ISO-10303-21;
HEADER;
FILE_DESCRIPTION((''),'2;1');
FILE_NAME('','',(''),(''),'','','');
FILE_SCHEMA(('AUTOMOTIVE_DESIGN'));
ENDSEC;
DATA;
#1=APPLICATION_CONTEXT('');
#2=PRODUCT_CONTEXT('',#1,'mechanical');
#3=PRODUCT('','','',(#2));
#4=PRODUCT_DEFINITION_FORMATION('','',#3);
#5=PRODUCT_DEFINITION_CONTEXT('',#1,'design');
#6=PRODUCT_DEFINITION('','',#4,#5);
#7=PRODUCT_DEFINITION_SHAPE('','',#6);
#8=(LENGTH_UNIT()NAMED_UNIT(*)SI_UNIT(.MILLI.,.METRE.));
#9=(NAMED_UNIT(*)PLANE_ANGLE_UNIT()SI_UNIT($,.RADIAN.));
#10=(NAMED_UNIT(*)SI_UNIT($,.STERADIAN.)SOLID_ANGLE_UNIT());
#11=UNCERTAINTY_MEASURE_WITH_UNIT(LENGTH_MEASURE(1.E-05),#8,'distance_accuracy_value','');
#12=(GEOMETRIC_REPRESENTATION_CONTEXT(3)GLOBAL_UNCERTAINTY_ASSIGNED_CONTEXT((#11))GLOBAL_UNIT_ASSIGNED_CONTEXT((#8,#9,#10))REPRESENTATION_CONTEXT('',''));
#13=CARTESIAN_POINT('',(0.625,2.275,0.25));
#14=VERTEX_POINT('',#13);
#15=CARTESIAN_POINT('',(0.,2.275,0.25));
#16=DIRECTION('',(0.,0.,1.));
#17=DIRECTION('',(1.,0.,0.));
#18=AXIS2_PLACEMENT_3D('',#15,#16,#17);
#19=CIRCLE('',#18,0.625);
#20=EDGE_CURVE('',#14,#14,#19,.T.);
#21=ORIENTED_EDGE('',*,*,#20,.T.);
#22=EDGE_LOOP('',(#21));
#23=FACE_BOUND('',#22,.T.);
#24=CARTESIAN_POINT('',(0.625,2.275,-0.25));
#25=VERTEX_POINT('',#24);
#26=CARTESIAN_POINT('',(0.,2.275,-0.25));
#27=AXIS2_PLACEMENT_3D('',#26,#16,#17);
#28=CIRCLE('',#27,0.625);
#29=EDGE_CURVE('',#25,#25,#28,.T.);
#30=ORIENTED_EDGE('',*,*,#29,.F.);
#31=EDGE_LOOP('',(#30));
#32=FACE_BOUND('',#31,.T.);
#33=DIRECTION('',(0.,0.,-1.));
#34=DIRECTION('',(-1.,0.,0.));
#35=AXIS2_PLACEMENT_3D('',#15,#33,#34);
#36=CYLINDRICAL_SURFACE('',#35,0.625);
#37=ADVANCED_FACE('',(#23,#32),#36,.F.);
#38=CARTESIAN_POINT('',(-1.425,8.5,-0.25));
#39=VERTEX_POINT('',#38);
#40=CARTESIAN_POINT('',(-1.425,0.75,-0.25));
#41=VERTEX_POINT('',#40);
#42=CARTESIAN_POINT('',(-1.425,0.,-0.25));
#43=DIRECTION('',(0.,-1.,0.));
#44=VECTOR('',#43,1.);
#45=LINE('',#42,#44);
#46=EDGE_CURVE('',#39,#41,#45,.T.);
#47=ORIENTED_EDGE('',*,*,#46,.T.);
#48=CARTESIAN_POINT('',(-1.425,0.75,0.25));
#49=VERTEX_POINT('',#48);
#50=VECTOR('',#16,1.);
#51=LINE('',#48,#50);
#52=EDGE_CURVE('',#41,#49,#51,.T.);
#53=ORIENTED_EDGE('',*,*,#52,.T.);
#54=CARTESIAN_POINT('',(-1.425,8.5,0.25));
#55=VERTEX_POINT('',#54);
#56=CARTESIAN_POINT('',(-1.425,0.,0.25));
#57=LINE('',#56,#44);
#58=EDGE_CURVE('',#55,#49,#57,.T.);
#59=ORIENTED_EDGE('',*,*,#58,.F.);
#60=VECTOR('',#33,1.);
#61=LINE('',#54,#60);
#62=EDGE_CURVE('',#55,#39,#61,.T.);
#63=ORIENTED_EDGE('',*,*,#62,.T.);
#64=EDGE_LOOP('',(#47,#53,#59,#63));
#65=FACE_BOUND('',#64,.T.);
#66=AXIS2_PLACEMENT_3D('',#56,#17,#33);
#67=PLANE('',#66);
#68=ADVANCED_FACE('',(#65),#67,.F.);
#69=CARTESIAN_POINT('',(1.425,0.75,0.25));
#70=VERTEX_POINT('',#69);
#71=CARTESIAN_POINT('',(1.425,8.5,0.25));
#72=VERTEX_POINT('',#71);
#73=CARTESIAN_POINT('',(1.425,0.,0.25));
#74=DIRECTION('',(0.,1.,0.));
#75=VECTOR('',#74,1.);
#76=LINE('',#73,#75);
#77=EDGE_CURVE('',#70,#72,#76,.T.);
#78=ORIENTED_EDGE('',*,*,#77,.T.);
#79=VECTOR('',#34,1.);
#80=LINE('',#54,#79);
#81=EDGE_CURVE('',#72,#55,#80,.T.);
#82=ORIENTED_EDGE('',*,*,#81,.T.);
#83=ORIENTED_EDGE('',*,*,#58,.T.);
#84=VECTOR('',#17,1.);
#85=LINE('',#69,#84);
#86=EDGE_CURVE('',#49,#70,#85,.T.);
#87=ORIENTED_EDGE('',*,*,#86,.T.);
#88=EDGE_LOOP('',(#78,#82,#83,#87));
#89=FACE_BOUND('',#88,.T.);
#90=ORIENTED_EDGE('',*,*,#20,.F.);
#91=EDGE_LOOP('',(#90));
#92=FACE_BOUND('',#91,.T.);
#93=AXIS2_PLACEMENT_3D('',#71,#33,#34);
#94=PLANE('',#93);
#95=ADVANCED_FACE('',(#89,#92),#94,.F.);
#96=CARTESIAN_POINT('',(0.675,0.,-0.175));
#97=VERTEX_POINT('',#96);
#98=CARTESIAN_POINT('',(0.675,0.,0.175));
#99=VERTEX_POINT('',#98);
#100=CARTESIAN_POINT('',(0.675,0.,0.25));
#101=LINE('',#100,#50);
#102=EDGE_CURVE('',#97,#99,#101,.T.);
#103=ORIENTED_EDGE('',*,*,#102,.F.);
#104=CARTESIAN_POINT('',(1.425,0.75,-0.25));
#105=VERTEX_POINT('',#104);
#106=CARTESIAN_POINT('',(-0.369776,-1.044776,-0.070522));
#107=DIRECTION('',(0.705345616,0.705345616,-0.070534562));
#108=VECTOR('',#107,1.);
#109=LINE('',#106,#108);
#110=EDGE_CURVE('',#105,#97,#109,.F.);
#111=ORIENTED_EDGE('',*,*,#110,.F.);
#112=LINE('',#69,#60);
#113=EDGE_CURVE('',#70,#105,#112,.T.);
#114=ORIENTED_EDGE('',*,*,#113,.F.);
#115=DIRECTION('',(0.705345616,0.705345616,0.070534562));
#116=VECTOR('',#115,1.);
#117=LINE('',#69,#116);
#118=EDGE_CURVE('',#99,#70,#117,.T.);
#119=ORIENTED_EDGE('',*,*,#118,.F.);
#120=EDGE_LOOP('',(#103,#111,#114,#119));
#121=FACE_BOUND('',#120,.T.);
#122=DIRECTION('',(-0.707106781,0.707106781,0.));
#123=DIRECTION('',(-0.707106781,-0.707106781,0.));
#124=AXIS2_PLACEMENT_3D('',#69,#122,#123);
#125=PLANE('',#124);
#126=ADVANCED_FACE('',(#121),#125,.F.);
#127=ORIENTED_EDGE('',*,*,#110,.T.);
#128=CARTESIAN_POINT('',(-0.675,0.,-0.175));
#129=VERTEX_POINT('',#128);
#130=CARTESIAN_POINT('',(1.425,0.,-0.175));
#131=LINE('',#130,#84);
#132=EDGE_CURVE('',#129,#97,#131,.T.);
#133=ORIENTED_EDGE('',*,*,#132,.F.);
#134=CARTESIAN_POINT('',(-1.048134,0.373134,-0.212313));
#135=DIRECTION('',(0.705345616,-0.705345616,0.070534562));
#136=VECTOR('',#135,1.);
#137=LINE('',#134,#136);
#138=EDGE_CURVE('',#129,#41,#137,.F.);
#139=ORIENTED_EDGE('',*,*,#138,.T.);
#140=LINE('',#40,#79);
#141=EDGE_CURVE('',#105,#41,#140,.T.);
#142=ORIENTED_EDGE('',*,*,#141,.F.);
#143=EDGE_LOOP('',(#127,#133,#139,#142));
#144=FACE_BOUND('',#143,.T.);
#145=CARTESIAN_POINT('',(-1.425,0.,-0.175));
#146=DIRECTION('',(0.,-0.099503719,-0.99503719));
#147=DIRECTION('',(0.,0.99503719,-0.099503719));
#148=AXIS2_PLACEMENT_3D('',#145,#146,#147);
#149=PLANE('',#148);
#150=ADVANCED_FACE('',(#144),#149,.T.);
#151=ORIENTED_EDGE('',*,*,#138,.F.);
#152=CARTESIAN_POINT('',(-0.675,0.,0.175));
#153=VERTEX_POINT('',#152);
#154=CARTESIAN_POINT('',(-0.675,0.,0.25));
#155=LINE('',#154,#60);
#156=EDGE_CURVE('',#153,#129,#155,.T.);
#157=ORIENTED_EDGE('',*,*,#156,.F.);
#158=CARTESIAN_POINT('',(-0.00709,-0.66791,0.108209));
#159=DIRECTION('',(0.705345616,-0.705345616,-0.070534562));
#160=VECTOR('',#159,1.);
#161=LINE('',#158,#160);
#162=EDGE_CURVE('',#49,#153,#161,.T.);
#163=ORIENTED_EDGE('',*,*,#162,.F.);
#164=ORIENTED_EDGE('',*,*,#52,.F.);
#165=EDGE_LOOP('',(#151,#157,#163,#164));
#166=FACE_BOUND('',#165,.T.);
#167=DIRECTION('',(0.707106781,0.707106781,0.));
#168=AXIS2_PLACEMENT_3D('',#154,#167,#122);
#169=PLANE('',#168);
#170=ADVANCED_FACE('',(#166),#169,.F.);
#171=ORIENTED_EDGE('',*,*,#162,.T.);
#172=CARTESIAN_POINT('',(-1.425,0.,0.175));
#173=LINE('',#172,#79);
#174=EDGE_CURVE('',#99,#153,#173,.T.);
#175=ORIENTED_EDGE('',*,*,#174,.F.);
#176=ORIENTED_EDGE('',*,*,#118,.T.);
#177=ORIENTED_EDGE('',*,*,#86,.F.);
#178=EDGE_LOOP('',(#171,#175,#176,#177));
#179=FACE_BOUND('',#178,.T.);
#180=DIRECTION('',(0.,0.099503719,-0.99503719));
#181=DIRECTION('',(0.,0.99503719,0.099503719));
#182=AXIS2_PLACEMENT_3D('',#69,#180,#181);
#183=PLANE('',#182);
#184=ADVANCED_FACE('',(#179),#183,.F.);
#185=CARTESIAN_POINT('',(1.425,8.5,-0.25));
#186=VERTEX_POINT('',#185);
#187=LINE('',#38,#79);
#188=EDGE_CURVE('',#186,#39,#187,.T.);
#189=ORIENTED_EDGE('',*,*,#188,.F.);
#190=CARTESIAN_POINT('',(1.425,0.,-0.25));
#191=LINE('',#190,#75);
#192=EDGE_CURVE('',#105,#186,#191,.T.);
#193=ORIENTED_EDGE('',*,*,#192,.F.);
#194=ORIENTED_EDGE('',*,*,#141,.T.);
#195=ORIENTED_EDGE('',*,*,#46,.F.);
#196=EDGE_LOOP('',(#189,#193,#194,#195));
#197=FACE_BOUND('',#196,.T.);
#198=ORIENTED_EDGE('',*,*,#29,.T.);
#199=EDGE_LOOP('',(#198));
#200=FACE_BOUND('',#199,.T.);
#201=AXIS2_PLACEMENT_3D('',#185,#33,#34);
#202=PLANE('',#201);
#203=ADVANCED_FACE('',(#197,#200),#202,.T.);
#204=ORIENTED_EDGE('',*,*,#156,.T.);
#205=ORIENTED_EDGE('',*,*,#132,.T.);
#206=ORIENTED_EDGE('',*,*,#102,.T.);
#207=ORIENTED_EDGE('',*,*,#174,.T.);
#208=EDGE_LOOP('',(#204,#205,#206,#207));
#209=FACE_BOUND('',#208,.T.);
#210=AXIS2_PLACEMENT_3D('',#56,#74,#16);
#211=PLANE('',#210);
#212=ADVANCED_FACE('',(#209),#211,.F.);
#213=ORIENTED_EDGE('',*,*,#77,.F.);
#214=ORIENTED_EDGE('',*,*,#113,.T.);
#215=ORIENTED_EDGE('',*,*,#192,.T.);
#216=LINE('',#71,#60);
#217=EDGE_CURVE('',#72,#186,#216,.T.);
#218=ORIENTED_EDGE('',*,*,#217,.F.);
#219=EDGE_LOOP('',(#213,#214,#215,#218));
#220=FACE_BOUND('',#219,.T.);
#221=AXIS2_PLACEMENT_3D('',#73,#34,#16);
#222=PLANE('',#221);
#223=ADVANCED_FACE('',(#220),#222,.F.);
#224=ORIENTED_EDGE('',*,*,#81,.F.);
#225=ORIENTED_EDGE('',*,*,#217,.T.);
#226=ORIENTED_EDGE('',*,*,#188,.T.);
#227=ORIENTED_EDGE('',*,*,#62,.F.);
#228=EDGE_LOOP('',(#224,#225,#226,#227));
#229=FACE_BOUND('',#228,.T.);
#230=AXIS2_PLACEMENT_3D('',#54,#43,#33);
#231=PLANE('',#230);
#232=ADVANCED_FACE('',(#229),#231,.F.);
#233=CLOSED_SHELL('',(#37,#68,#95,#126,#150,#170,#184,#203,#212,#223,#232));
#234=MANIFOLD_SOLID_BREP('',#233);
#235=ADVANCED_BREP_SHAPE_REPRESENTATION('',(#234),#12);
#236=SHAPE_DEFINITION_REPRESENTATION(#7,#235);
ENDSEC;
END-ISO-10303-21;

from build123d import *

# Parameters (mm, degrees)
SKETCH1_W      = 2.85
SKETCH1_H      = 8.5
SKETCH1_R      = 0.625
EXTRUDE1_DEPTH = 0.25
CHAMFER1_SIZE  = 0.075
CHAMFER1_SIZE2 = 0.75
CHAMFER2_SIZE  = 0.75


with BuildPart() as part:
    # Sketch1 → Extrude1 (new body, symmetric)
    with BuildSketch(Plane.XY):
        with Locations((0, 4.25)):
            Rectangle(SKETCH1_W, SKETCH1_H)
        with Locations((0, 2.275)):
            Circle(SKETCH1_R, mode=Mode.SUBTRACT)
    extrude(amount=EXTRUDE1_DEPTH, both=True)

    # Chamfer1
    chamfer1_edges = [part.edges().sort_by_distance(p)[0] for p in [
        (0, 0, 0.25),
        (0, 0, -0.25),
    ]]
    chamfer1_side = [part.faces().sort_by_distance(p)[0] for p in [
        (0, 0, 0),
    ]]
    chamfer(chamfer1_edges, length=CHAMFER1_SIZE, length2=CHAMFER1_SIZE2, reference=chamfer1_side[0])

    # Chamfer2
    chamfer2_edges = [part.edges().sort_by_distance(p)[0] for p in [
        (1.425, 0, 0),
        (-1.425, 0, 0),
    ]]
    chamfer(chamfer2_edges, length=CHAMFER2_SIZE)


solid = part.part
